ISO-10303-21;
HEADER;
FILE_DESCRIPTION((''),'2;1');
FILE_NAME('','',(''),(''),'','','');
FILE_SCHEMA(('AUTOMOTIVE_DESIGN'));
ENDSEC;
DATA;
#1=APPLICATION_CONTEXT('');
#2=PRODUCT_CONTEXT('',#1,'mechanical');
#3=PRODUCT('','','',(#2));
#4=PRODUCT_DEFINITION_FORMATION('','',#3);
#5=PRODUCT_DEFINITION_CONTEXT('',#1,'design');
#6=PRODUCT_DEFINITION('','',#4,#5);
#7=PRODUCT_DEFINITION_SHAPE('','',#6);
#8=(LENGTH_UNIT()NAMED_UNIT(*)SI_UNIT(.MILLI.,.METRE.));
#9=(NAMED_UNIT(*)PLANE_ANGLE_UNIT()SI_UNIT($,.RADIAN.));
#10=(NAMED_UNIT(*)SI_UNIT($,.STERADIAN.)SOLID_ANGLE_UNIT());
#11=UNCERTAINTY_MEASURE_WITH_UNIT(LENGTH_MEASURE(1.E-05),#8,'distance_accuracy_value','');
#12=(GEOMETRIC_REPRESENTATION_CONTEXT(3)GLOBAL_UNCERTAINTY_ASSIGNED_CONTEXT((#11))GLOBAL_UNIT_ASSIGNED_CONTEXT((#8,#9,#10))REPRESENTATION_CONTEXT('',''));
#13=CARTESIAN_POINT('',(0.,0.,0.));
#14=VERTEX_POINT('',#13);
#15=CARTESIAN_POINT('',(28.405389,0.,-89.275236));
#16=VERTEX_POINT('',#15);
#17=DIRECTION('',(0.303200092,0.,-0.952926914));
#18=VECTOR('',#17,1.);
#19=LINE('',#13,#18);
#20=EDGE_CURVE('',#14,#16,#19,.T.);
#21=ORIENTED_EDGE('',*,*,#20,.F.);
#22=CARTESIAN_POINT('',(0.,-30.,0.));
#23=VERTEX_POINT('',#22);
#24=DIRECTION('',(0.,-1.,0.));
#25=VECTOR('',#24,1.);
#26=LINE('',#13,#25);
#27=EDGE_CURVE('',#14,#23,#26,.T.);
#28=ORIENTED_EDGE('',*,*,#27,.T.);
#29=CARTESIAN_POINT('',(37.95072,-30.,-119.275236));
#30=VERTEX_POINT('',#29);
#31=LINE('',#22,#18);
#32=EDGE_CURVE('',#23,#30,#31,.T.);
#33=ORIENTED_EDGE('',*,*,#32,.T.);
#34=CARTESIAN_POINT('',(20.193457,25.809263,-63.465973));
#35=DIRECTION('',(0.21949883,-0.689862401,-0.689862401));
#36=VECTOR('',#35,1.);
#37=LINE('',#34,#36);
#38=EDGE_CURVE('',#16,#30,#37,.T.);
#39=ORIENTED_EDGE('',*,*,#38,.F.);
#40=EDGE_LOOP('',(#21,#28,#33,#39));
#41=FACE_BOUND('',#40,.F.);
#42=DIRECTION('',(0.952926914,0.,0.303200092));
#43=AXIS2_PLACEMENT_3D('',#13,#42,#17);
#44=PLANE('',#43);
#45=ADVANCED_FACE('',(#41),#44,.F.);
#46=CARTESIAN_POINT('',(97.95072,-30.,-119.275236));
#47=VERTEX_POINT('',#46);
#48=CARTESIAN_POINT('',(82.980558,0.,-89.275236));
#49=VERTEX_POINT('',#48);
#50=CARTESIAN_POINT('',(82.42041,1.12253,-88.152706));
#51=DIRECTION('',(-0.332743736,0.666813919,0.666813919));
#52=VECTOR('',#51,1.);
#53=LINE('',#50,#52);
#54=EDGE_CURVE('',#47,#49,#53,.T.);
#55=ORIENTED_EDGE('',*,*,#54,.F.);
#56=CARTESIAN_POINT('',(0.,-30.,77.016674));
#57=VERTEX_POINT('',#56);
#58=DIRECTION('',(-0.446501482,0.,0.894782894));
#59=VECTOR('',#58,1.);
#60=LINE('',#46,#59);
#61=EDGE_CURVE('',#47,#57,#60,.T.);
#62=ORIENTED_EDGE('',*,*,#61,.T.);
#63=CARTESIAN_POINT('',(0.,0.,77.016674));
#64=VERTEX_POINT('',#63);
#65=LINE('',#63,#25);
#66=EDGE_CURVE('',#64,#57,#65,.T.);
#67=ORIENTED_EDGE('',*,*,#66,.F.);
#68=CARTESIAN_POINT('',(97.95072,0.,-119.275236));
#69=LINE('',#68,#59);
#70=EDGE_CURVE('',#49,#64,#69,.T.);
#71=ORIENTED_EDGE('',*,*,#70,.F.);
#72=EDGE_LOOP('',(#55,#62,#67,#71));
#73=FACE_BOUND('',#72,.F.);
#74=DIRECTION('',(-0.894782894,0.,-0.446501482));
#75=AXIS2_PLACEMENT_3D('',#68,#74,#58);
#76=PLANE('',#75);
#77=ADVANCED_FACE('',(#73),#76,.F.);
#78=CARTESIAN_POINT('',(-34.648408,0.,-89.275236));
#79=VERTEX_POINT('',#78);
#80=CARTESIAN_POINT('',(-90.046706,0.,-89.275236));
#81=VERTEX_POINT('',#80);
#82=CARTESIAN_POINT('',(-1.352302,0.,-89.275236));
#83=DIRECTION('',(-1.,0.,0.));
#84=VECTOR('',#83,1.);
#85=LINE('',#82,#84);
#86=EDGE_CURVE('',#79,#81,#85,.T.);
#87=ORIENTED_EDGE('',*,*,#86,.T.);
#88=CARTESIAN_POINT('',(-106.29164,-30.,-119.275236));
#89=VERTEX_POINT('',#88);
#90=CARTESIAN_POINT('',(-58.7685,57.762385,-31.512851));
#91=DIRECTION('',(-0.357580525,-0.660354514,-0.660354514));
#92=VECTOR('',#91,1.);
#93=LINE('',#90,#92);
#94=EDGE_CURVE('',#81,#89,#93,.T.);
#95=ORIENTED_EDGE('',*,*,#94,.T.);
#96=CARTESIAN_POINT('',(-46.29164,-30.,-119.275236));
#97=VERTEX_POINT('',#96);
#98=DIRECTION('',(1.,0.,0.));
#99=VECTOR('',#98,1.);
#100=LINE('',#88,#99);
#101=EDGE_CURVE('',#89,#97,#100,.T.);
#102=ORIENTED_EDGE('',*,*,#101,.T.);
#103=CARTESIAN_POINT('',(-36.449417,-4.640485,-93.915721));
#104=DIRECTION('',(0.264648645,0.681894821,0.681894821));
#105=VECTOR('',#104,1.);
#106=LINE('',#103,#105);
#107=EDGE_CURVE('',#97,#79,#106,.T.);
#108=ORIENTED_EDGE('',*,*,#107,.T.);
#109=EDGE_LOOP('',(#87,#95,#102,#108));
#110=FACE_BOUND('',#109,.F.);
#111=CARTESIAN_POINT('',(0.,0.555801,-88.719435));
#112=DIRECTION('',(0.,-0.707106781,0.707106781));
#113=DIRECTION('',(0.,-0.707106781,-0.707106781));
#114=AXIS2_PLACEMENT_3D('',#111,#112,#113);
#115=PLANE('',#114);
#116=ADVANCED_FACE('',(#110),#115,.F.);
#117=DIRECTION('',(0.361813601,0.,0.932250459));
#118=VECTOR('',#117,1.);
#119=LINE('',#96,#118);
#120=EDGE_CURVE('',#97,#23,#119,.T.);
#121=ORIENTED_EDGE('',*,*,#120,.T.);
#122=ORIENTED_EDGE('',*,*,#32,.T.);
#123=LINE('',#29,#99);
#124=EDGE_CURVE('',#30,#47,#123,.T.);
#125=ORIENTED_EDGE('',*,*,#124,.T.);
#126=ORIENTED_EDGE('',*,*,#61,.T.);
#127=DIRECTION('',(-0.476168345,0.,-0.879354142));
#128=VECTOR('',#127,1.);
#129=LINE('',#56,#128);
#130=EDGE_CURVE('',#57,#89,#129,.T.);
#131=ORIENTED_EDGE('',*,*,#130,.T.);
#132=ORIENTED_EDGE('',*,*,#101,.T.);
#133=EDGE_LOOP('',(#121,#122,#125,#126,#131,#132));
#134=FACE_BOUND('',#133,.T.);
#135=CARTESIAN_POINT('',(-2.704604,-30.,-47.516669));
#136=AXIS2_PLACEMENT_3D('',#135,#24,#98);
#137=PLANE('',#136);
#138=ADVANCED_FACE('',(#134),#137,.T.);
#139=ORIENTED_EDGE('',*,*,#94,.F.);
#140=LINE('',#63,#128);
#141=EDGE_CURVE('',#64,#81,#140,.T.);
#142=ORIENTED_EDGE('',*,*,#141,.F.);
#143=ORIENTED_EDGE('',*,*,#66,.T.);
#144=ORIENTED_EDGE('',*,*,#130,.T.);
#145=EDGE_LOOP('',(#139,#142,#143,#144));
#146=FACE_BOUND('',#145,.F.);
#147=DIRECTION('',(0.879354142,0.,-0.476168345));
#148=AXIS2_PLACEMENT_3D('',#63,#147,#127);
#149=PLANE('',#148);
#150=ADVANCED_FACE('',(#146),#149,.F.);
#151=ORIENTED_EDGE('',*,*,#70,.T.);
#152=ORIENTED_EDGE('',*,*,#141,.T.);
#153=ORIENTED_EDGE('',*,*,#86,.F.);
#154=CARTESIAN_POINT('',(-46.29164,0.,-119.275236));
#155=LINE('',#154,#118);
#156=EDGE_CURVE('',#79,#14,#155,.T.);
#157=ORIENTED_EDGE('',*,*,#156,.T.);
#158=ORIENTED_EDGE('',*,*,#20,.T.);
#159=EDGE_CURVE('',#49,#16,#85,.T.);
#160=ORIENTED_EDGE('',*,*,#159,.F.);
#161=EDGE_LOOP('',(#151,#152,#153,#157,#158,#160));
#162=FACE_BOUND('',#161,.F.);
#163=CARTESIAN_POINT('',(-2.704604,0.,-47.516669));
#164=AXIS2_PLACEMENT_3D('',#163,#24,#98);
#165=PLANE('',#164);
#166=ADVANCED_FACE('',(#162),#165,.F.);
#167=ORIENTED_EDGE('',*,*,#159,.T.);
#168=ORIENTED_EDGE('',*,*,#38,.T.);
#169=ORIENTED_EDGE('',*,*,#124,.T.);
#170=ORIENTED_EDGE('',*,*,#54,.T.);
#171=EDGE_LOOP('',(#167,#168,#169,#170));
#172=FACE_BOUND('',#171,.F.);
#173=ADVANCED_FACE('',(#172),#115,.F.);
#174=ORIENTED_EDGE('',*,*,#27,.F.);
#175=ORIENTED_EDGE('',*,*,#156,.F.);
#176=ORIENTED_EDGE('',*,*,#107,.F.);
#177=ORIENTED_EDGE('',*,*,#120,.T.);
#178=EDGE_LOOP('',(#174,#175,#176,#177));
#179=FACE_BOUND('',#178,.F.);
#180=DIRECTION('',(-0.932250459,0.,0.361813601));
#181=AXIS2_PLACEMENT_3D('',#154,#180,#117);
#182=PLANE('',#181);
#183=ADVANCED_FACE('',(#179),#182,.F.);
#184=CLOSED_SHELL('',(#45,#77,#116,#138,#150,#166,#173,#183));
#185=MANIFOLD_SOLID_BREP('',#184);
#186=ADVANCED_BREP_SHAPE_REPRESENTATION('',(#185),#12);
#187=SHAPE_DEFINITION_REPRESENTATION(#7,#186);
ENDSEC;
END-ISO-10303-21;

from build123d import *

# Parameters (mm, degrees)
F1_DEPTH = 30
F3_DEPTH = 174


with BuildPart() as f1:
    # F0 (on Front) → F1 (new body)
    with BuildSketch(Plane.XZ):
        Polygon((0, 77.016674), (-106.29164, -119.275236), (-46.29164, -119.275236), (0, 0), (37.95072, -119.275236), (97.95072, -119.275236), align=None)
    extrude(amount=F1_DEPTH)

    # F2 (on Right) → F3 (cut, symmetric)
    with BuildSketch(Plane.YZ):
        Polygon((0.555801, -88.719435), (-30, -119.275236), (-30, -121.189907), (0.555801, -121.189907), align=None)
    extrude(amount=F3_DEPTH, both=True, mode=Mode.SUBTRACT)


solid = f1.part
